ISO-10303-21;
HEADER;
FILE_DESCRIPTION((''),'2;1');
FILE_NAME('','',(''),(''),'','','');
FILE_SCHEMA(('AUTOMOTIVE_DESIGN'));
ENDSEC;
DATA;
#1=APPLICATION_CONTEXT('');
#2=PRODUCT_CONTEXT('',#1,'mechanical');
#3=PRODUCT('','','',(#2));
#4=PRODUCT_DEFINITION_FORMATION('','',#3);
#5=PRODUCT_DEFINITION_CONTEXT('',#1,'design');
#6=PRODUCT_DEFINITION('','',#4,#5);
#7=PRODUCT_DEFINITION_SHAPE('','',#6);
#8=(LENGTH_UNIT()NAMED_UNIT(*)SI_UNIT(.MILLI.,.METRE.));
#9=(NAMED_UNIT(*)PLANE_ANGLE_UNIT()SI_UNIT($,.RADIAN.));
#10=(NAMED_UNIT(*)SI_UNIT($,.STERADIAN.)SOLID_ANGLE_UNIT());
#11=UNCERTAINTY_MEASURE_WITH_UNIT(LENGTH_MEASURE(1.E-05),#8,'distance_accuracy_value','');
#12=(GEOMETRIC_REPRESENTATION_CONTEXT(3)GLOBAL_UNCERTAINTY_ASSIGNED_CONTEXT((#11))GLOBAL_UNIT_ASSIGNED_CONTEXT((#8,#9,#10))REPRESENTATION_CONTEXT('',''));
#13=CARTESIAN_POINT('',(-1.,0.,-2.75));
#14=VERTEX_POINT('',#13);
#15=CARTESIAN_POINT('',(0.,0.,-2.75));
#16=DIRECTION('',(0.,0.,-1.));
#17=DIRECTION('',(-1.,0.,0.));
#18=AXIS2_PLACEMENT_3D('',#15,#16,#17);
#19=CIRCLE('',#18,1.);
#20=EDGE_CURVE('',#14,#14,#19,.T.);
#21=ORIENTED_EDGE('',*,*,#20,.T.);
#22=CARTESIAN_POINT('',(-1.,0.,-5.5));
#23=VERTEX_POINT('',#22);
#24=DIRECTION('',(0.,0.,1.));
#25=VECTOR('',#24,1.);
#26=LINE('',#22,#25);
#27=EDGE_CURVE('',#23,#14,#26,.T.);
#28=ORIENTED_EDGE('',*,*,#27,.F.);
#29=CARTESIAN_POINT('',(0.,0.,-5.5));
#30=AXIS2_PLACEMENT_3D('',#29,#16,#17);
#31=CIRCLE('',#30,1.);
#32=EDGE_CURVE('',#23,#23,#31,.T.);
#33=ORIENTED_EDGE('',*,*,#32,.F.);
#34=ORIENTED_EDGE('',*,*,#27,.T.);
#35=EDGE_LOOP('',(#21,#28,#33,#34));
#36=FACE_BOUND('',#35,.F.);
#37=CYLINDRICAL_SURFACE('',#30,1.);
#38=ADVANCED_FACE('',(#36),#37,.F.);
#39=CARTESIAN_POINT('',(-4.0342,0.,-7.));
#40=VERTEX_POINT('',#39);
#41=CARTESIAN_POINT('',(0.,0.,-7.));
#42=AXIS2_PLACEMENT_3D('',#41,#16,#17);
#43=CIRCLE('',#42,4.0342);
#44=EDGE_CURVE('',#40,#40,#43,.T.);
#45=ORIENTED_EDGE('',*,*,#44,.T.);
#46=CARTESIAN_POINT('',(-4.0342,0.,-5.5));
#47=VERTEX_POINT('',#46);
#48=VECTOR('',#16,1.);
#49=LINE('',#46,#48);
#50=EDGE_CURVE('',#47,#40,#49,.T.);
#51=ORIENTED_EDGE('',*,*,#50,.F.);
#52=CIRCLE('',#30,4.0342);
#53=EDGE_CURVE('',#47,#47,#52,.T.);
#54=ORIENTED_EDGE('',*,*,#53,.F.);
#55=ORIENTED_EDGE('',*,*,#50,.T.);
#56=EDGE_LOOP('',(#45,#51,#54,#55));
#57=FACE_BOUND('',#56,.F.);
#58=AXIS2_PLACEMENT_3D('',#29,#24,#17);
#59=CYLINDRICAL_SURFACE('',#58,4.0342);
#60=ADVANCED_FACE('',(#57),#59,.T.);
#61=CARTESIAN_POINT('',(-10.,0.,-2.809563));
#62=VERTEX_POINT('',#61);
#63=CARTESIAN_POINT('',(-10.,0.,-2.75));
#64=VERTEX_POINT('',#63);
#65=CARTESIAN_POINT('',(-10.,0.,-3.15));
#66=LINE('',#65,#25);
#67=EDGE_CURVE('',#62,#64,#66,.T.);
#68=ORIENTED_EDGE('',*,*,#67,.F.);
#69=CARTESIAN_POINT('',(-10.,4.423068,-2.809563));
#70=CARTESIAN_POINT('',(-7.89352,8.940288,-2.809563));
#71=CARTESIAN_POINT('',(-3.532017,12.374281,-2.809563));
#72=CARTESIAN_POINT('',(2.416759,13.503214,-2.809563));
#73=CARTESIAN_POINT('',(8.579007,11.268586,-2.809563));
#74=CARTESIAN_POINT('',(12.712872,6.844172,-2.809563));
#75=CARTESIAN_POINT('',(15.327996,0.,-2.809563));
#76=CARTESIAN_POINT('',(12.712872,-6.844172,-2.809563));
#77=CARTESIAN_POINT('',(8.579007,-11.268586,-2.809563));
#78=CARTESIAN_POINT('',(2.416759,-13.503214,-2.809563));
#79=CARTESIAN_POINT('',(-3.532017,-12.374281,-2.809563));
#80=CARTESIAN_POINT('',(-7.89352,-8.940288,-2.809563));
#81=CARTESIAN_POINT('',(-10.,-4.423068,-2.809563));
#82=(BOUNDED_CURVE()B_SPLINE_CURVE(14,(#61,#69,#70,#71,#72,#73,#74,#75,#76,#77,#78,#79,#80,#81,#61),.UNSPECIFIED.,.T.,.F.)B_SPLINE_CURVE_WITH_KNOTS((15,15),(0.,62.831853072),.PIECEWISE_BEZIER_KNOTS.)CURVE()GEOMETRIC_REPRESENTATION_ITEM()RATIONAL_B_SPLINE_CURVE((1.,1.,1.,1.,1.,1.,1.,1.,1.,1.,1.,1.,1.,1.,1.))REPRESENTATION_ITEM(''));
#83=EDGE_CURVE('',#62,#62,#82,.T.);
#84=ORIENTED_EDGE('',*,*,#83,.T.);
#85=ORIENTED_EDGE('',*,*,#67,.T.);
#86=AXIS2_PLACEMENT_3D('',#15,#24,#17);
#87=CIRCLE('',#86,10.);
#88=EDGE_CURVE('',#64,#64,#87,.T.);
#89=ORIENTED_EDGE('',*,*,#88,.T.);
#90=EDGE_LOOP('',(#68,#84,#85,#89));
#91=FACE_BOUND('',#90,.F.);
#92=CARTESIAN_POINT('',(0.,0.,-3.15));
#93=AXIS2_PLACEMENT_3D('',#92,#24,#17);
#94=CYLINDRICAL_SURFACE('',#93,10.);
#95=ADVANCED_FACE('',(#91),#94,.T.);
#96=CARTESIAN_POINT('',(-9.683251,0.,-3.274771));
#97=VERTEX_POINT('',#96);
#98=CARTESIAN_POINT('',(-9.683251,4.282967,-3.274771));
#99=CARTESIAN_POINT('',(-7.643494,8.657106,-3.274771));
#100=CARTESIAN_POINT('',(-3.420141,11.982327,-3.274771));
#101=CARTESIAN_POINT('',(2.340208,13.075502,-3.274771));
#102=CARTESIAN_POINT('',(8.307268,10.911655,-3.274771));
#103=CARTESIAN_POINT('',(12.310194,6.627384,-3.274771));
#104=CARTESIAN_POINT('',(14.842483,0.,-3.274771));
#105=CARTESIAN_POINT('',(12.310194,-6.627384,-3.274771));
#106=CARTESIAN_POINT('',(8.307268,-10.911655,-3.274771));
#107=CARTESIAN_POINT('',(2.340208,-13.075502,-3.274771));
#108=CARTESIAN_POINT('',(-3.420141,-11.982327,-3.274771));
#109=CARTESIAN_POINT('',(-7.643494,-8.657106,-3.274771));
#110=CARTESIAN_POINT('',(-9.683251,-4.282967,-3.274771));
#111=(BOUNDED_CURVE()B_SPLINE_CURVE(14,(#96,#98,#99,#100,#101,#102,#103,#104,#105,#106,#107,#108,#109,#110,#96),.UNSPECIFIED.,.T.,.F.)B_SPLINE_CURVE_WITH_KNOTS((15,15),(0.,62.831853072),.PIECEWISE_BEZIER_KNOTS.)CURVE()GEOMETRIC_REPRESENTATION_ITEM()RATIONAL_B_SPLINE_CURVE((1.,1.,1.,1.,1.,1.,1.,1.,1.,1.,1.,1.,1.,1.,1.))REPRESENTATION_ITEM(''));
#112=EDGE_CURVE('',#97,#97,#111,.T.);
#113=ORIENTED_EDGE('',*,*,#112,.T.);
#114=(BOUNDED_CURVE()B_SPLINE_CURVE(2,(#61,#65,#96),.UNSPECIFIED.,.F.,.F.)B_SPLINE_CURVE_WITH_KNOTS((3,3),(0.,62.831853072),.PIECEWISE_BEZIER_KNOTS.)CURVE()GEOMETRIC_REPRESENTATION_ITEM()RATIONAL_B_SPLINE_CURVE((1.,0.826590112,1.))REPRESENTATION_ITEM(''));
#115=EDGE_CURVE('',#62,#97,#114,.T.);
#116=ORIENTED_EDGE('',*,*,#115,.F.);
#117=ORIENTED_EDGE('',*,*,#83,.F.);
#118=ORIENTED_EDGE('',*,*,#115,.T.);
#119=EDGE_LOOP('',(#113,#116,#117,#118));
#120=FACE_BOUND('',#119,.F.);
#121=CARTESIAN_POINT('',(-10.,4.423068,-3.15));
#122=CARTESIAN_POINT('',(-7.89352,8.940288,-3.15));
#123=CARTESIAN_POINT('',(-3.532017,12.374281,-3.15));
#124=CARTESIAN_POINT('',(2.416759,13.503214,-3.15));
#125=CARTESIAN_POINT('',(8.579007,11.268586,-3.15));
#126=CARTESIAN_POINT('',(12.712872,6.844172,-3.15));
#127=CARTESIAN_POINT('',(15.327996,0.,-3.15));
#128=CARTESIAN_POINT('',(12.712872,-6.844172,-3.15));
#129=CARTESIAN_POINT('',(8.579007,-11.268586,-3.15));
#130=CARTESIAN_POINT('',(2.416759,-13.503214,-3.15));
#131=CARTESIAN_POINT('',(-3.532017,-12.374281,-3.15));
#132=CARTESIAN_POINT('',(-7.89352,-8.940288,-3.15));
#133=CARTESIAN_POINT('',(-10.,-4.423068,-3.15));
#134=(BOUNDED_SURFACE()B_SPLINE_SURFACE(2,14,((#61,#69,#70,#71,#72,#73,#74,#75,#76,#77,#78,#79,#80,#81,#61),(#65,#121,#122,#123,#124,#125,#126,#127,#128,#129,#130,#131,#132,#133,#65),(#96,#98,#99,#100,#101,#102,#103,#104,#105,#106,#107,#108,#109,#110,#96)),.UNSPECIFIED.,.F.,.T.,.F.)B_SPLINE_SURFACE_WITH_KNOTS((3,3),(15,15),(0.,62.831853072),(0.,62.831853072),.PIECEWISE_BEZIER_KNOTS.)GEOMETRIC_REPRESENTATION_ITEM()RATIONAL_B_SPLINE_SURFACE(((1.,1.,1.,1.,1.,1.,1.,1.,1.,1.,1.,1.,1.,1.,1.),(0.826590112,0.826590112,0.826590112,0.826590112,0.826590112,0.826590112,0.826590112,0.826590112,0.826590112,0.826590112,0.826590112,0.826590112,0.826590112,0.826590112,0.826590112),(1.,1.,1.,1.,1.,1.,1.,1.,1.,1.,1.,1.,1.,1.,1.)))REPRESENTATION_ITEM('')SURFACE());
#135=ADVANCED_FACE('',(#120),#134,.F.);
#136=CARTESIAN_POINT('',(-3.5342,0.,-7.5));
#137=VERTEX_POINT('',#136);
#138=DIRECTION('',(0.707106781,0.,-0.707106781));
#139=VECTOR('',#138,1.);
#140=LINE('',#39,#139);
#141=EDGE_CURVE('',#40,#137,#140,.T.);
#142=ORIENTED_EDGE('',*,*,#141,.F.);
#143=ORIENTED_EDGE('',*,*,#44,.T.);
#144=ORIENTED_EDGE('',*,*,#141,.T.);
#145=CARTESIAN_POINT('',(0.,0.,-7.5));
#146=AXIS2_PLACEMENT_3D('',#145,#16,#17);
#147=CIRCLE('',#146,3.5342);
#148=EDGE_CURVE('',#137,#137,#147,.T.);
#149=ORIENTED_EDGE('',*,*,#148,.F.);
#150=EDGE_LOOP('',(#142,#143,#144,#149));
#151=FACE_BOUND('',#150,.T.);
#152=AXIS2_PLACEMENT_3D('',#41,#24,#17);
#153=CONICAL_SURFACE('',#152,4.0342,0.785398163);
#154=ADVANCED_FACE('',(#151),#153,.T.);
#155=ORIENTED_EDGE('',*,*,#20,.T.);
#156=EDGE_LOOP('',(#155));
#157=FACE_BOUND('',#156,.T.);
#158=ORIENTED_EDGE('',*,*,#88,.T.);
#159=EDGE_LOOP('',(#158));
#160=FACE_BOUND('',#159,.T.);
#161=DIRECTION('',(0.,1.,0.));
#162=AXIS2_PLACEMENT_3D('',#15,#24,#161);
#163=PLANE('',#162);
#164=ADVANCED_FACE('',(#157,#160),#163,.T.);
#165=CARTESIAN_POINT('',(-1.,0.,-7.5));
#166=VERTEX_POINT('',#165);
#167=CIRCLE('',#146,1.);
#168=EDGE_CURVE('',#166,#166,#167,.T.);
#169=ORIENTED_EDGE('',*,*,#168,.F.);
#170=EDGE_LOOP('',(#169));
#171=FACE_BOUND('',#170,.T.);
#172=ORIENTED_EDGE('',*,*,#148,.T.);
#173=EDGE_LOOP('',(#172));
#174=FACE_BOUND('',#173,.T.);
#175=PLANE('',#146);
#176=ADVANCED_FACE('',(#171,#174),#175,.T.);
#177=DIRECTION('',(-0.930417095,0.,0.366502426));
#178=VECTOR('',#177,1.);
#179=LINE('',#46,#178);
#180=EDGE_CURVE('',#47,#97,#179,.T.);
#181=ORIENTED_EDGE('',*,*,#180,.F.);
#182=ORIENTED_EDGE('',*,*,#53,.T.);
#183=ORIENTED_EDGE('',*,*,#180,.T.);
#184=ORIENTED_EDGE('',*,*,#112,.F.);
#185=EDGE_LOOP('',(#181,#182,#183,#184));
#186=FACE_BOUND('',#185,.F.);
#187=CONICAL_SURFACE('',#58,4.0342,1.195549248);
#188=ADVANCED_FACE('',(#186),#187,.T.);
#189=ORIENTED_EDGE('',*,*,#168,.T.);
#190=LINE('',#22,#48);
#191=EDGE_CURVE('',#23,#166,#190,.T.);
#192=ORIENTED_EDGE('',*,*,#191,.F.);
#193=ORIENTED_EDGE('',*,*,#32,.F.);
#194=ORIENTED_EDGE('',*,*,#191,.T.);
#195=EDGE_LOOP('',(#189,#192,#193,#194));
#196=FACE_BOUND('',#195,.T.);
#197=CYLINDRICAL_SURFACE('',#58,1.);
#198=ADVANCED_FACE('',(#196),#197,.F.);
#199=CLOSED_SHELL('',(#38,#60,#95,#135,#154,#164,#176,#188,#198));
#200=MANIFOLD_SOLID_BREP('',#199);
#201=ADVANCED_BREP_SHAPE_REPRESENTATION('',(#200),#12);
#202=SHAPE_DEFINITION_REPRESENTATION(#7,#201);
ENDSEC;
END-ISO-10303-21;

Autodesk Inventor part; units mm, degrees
ref_plane "YZ Plane" through (0, 0, 0) normal (1, 0, 0) x (0, 1, 0)
ref_plane "XZ Plane" through (0, 0, 0) normal (0, 1, 0) x (-1, 0, 0)
sketch "Sketch1" plane through (0, 0, 0) normal (0, 1, 0) x (-1, 0, 0)
  line L0 (0, 0) -> (0, -5.5)
  line L1 (0, -5.5) -> (4.0342, -5.5)
  line L2 (4.0342, -5.5) -> (10, -3.15)
  line L3 (10, -3.15) -> (10, -2.35)
  line L4 (10, -2.35) -> (4.0342, 0)
  line L5 (4.0342, 0) -> (0, 0)
  point P0 (10, -2.75)
  dimension "d0" = 43
  dimension "d2" = 0.8
  dimension "d3" = 10
  dimension "d4" = 5.5
revolve "Revolution1" add sketch "Sketch1" angle 360 about axis through (0, 0, 0) along (0, 0, -1)
sketch "Sketch2" plane through (0, 0, -5.5) normal (0, 0, -1) x (-1, 0, 0)
  circle A0 centre (0, 0) radius 4.0342 projected
  circle A1 centre (0, 0) radius 1
  dimension "d6" = 2
extrude "Extrusion1" cut sketch "Sketch2" against normal through all contours A1
ref_plane "Work Plane1" through (0, 0, -2.75) normal (0, 0, -1) x (-1, 0, 0)
fillet "Fillet1" radius 0.5 2 edges at (10, 0, -2.35) (10, 0, -3.15)
split "Split1" plane through (0, 0, -2.75) removes the side toward (0, 0, 1)
sketch "Sketch3" plane through (0, 0, -5.5) normal (0, 0, -1) x (-1, 0, 0)
  circle A0 centre (0, 0) radius 1 projected
  circle A1 centre (0, 0) radius 4.0342 projected
extrude "Extrusion2" add sketch "Sketch3" along normal blind 2
chamfer "Chamfer1" distance 0.5 angle 45 1 edges at (4.0342, 0, -7.5)
properties part number "pritlacne_kolecko_polovina"
